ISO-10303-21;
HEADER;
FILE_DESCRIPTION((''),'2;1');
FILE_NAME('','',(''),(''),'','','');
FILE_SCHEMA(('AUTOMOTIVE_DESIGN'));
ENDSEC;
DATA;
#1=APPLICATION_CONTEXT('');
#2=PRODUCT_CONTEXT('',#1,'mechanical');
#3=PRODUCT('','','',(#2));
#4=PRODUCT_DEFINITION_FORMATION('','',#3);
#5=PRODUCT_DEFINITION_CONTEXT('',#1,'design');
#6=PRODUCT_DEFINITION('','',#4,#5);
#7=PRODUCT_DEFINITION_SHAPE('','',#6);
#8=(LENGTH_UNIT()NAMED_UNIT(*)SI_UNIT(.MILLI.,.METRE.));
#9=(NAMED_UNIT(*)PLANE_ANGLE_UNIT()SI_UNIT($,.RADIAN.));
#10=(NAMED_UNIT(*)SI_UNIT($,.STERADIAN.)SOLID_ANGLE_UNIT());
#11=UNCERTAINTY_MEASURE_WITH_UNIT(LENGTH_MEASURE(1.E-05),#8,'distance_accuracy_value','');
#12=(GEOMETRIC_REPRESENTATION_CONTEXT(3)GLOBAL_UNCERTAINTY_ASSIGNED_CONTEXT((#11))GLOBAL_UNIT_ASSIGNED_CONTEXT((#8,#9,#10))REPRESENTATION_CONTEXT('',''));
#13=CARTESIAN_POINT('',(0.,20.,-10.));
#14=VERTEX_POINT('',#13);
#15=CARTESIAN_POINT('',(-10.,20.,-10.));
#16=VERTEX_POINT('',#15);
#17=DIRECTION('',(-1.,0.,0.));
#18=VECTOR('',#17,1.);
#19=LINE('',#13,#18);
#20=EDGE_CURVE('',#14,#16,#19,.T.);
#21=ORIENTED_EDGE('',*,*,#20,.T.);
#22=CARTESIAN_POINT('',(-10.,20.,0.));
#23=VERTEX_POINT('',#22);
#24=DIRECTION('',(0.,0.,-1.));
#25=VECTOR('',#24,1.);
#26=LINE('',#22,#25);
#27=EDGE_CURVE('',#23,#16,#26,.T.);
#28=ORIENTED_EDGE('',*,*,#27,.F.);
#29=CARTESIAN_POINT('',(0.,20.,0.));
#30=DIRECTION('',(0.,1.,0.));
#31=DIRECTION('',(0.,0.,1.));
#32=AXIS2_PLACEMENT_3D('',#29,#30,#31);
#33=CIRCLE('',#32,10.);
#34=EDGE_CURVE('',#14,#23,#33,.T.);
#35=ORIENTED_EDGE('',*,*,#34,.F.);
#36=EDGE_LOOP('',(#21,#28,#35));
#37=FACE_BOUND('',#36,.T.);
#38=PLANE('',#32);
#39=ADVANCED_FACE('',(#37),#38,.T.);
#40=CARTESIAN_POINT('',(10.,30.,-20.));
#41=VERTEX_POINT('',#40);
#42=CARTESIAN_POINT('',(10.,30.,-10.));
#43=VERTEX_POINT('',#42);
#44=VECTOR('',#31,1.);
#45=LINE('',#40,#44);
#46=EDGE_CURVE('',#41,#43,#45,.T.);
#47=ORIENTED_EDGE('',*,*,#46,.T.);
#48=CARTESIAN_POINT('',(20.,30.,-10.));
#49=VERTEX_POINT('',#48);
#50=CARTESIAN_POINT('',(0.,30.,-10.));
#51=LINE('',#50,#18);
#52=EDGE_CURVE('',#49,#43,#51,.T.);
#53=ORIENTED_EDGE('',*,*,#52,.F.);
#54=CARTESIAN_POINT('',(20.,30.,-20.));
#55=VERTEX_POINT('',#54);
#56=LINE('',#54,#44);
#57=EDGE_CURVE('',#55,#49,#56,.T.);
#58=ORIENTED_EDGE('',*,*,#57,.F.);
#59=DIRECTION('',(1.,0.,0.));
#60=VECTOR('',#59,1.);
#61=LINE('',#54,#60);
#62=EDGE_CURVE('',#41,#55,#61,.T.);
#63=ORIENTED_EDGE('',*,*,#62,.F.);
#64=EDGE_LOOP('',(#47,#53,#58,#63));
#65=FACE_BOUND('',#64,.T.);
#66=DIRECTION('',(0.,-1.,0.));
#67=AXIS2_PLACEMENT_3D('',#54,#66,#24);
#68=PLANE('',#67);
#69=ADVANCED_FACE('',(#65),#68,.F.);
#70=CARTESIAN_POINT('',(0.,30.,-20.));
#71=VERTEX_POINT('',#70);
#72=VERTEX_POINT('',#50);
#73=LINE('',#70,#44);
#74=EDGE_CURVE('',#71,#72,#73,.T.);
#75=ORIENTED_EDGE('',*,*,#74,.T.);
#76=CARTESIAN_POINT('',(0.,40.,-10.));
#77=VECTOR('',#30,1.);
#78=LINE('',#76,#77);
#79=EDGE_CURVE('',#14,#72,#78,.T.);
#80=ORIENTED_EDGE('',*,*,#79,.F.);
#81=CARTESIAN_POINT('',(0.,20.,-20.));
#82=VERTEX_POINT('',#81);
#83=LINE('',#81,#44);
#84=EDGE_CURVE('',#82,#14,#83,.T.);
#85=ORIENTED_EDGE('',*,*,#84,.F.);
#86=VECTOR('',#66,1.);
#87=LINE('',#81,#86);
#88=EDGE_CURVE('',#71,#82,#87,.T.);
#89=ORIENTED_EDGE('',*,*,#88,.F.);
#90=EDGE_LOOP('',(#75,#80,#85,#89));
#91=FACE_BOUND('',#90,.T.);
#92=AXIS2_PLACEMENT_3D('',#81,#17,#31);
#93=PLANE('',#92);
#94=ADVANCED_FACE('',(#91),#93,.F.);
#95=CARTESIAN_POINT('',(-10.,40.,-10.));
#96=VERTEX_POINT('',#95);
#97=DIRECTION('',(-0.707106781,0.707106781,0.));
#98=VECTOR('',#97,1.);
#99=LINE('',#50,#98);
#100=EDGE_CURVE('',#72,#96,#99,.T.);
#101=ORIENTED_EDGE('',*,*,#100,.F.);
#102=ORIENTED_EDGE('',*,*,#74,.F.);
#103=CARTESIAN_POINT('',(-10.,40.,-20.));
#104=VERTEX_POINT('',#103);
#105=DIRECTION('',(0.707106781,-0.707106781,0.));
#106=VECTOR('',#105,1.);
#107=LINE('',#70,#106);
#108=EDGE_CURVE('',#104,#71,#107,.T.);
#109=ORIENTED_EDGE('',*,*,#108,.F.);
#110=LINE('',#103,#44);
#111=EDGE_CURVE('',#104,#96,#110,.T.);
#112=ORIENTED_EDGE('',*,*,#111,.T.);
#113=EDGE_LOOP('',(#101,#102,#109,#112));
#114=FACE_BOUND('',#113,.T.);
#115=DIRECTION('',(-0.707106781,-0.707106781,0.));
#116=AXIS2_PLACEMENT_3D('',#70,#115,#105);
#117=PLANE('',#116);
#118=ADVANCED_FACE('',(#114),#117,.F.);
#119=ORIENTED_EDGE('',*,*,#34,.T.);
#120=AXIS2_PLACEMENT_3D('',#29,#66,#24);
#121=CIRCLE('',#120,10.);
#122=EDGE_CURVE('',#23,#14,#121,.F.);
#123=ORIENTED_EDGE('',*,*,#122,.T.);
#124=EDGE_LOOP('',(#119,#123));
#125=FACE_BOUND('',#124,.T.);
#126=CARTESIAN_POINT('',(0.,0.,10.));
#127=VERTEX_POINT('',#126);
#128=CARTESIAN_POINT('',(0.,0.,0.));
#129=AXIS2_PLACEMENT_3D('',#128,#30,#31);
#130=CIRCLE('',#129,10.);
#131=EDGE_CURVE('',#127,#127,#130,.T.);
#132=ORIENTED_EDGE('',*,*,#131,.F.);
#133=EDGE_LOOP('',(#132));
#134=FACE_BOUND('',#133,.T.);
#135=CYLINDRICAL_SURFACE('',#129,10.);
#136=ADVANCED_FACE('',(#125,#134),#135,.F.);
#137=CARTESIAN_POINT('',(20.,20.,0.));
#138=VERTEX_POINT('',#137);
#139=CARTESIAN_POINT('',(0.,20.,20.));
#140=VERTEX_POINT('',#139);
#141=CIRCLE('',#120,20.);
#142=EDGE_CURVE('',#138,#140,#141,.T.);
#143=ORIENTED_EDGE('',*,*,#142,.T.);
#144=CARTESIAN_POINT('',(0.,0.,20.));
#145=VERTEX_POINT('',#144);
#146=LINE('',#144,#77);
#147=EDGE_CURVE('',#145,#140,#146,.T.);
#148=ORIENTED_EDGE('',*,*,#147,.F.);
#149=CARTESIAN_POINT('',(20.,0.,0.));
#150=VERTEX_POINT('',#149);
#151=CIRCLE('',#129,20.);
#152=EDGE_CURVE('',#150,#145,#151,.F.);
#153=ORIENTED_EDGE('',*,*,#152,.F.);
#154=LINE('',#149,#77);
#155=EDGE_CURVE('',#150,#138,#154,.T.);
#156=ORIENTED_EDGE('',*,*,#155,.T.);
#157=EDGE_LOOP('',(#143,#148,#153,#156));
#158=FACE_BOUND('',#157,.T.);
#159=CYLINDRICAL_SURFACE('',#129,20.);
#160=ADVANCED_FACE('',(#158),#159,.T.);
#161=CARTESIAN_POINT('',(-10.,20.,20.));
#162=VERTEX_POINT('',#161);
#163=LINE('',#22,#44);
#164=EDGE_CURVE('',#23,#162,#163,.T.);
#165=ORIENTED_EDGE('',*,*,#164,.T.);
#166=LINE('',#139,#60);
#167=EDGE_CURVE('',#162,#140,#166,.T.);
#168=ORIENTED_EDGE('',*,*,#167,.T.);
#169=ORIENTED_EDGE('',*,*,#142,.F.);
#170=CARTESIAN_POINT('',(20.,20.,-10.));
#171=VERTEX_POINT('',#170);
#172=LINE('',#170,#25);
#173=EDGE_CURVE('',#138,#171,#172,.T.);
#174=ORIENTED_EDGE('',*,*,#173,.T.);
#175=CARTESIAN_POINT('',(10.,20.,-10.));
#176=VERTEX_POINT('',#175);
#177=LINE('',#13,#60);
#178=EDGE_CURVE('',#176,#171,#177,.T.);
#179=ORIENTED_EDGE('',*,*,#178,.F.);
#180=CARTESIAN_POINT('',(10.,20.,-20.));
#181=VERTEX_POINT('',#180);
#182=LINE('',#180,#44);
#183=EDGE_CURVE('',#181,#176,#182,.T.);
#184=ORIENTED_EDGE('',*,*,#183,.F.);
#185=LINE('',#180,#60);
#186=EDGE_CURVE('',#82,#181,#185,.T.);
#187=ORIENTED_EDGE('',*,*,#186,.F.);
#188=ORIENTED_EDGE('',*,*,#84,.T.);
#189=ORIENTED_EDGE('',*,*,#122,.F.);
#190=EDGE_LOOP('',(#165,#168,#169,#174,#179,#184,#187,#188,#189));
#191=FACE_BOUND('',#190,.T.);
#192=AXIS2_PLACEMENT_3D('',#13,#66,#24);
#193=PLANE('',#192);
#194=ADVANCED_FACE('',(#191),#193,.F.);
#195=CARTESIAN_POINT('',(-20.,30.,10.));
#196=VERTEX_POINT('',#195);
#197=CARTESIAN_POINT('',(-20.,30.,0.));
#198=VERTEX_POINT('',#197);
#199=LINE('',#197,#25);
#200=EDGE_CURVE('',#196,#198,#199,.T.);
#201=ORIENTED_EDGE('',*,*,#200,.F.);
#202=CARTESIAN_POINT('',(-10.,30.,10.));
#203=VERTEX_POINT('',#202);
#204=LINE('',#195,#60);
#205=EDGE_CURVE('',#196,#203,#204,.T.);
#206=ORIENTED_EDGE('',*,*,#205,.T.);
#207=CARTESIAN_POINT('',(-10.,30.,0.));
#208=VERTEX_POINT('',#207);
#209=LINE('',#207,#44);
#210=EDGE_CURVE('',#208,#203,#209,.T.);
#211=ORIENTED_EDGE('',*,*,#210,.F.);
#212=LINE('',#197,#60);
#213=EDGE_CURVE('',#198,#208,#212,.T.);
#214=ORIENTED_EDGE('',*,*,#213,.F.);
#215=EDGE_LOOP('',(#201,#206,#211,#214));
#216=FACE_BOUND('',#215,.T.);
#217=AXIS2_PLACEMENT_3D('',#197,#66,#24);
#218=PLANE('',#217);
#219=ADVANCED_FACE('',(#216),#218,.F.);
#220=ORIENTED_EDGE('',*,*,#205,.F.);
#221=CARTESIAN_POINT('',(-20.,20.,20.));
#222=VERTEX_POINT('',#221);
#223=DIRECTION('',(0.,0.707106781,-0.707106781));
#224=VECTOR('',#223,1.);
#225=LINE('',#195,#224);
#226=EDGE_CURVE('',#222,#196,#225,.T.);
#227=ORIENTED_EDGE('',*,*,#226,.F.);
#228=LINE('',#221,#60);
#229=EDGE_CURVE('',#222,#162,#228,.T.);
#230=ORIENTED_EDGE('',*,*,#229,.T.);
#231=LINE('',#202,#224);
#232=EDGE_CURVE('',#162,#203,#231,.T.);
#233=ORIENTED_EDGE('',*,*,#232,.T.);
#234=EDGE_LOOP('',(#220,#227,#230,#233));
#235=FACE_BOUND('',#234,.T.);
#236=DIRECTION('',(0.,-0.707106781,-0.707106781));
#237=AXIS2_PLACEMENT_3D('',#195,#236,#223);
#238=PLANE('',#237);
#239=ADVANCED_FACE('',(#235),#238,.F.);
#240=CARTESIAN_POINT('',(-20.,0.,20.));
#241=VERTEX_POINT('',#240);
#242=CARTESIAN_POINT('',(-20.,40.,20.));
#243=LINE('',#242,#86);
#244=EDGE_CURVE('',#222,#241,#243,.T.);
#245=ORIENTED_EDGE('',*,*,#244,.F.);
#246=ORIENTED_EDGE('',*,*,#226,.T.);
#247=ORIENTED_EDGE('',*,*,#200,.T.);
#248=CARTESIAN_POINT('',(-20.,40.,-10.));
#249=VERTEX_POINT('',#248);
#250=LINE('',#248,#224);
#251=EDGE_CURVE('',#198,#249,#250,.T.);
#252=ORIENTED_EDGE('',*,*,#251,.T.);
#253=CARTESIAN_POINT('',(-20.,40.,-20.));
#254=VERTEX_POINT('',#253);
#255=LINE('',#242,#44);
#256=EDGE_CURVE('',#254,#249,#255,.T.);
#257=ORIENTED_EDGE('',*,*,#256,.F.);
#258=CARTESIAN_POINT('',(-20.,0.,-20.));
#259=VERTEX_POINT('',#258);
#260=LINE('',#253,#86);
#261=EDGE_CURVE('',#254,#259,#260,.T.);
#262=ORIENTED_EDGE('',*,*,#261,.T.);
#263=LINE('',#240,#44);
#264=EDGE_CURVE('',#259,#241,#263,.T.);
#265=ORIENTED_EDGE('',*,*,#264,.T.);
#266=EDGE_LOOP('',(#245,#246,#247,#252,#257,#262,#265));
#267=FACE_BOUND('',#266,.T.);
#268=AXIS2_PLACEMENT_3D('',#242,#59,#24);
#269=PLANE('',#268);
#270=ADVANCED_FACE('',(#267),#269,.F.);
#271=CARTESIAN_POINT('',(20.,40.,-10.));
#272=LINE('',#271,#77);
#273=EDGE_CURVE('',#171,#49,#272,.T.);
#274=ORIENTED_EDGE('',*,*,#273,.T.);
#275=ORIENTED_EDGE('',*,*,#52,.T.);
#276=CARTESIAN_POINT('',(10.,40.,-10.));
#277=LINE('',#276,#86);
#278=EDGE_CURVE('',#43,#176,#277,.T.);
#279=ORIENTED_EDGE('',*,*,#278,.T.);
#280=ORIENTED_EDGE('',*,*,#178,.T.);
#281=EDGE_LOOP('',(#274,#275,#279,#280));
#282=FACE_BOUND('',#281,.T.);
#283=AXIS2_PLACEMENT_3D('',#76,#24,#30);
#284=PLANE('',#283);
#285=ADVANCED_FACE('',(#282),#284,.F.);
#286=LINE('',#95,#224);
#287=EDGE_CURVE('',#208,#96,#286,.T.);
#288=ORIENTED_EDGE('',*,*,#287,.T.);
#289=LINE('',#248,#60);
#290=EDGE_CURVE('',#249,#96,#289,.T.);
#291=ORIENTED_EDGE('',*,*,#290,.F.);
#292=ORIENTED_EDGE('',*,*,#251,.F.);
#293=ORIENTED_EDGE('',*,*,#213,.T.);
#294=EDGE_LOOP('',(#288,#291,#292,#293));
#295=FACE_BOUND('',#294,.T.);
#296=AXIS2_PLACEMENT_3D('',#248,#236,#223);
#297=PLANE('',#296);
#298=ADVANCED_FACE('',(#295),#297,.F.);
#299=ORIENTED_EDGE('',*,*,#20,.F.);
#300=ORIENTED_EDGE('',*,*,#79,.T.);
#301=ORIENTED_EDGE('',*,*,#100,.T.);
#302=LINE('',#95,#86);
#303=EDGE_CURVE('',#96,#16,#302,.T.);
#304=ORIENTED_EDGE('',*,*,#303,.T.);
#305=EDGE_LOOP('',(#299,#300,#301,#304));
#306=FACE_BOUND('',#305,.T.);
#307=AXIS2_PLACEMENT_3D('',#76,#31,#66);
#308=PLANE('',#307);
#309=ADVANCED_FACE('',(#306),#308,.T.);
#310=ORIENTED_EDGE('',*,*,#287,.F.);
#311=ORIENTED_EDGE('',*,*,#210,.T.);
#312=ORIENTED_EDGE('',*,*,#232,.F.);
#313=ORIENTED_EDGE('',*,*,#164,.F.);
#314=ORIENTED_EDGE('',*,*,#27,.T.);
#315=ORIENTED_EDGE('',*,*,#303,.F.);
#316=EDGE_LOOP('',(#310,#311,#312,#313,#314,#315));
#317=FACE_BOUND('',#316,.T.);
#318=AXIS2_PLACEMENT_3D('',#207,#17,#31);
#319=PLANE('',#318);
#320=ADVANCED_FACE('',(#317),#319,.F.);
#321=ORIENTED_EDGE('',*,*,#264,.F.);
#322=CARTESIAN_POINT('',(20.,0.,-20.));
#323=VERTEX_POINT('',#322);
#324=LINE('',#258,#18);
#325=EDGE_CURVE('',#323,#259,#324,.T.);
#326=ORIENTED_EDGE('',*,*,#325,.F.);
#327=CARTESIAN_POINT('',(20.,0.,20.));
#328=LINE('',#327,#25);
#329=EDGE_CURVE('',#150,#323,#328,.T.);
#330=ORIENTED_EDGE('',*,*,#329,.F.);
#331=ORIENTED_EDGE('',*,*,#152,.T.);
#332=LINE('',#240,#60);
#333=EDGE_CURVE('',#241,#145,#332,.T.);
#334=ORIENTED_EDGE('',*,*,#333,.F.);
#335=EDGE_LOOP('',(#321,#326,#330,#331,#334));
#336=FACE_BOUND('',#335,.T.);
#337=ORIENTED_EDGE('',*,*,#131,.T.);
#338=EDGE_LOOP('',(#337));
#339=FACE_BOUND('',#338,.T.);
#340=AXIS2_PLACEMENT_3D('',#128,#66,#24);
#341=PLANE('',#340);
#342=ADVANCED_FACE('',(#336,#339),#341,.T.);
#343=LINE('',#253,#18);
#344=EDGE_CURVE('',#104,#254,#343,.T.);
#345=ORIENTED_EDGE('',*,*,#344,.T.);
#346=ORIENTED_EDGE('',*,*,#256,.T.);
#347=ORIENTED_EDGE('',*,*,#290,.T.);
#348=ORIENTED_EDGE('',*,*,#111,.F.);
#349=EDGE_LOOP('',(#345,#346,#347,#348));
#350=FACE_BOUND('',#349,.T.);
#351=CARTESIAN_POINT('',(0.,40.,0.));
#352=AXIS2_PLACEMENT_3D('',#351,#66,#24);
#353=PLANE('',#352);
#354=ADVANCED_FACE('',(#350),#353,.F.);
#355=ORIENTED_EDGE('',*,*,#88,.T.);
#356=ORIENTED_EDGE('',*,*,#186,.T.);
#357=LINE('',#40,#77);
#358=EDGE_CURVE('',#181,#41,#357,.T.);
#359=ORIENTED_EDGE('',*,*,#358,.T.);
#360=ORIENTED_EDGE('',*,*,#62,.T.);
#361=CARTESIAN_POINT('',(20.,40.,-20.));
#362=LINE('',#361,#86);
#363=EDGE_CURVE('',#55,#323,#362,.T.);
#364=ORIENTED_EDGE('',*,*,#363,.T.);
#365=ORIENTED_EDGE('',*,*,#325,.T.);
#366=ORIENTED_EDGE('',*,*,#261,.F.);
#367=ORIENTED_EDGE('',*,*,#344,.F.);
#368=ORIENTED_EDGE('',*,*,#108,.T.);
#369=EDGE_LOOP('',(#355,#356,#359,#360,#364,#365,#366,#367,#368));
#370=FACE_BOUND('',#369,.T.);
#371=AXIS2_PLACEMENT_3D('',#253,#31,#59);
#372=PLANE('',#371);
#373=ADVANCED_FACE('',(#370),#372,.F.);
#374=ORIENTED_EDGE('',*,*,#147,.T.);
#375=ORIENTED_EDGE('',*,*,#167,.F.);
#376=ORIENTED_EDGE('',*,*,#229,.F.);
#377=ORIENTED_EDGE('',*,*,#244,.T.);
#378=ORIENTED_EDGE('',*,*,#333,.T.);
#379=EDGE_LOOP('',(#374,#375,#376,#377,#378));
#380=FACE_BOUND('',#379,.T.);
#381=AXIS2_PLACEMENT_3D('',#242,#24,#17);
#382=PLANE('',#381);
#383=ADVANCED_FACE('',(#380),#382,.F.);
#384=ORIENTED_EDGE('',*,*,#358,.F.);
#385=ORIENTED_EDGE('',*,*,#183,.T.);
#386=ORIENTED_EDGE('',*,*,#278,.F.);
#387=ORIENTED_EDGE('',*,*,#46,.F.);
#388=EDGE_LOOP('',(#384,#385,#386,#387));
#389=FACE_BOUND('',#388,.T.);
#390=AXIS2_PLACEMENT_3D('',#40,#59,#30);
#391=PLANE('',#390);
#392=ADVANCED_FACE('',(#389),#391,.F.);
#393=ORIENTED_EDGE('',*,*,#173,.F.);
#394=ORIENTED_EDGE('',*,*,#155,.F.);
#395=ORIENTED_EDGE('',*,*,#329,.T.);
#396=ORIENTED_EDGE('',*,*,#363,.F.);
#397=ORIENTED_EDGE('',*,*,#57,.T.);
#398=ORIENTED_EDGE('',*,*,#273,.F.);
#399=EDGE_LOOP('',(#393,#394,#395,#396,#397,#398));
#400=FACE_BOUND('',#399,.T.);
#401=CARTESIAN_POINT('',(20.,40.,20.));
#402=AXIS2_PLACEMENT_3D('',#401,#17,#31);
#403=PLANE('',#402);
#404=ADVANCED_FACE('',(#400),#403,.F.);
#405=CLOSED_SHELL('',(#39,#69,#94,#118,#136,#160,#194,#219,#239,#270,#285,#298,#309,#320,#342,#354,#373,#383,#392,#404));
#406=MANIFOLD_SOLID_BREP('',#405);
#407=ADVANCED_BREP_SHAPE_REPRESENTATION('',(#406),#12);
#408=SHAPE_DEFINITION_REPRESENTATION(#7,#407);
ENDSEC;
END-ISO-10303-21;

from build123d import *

# Parameters (mm, degrees)
SKETCH_1_W          = 40
SKETCH_1_H          = 40
EXTRUDE_1_DEPTH     = 40
SKETCH_2_R          = 10
CUT_EXTRUDE_1_DEPTH = 41
SKETCH_3_W          = 30
SKETCH_3_H          = 20
CUT_EXTRUDE_2_DEPTH = 20
CUT_EXTRUDE_3_DEPTH = 41
CUT_EXTRUDE_4_DEPTH = 41
SKETCH_7_W          = 10
SKETCH_7_H          = 10
CUT_EXTRUDE_5_DEPTH = 20
CUT_EXTRUDE_6_DEPTH = 21


with BuildPart() as part:
    # 草圖1 → 填料-伸長1 (new body)
    with BuildSketch(Plane(origin=(0, 0, 0), x_dir=(1, 0, 0), z_dir=(0, 1, 0))):
        Rectangle(SKETCH_1_W, SKETCH_1_H)
    extrude(amount=EXTRUDE_1_DEPTH)

    # 草圖2 → 除料-伸長1 (cut, through all)
    with BuildSketch(Plane(origin=(0, 40, 0), x_dir=(1, 0, 0), z_dir=(0, 1, 0))):
        Circle(SKETCH_2_R)
        with BuildLine():
            Line((0, -20), (20, -20))
            Line((20, -20), (20, 0))
            ThreePointArc((20, 0), (14.142135624, -14.142135624), (0, -20))
        make_face()
    extrude(amount=-CUT_EXTRUDE_1_DEPTH, mode=Mode.SUBTRACT)

    # 草圖3 → 除料-伸長2 (cut)
    with BuildSketch(Plane(origin=(20, 0, 0), x_dir=(0, 0, -1), z_dir=(1, 0, 0))):
        with Locations((-5, 30)):
            Rectangle(SKETCH_3_W, SKETCH_3_H)
    extrude(amount=-CUT_EXTRUDE_2_DEPTH, mode=Mode.SUBTRACT)

    # 草圖4 → 除料-伸長3 (cut, through all)
    with BuildSketch(Plane.XY.offset(20)):
        Polygon((20, 30), (10, 30), (10, 20), (0, 20), (0, 30), (-10, 40), (20, 40), align=None)
    extrude(amount=-CUT_EXTRUDE_3_DEPTH, mode=Mode.SUBTRACT)

    # 草圖5 → 除料-伸長4 (cut, through all)
    with BuildSketch(Plane(origin=(20, 0, 0), x_dir=(0, 0, -1), z_dir=(1, 0, 0))):
        Polygon((10, 40), (0, 30), (-10, 30), (-20, 20), (-20, 40), align=None)
    extrude(amount=-CUT_EXTRUDE_4_DEPTH, mode=Mode.SUBTRACT)

    # 草圖7 → 除料-伸長5 (cut)
    with BuildSketch(Plane.XY.offset(20)):
        with Locations((-5, 25)):
            Rectangle(SKETCH_7_W, SKETCH_7_H)
    extrude(amount=-CUT_EXTRUDE_5_DEPTH, mode=Mode.SUBTRACT)

    # 草圖9 → 除料-伸長6 (cut, through all)
    with BuildSketch(Plane(origin=(0, 20, 0), x_dir=(1, 0, 0), z_dir=(0, 1, 0))):
        with BuildLine():
            ThreePointArc((-7.071067812, 7.071067812), (-9.238795325, 3.826834324), (-10, 0))
            Line((-10, 0), (-10, 10))
            Line((-10, 10), (0, 10))
            ThreePointArc((0, 10), (-3.826834324, 9.238795325), (-7.071067812, 7.071067812))
        make_face()
    extrude(amount=CUT_EXTRUDE_6_DEPTH, mode=Mode.SUBTRACT)


solid = part.part
